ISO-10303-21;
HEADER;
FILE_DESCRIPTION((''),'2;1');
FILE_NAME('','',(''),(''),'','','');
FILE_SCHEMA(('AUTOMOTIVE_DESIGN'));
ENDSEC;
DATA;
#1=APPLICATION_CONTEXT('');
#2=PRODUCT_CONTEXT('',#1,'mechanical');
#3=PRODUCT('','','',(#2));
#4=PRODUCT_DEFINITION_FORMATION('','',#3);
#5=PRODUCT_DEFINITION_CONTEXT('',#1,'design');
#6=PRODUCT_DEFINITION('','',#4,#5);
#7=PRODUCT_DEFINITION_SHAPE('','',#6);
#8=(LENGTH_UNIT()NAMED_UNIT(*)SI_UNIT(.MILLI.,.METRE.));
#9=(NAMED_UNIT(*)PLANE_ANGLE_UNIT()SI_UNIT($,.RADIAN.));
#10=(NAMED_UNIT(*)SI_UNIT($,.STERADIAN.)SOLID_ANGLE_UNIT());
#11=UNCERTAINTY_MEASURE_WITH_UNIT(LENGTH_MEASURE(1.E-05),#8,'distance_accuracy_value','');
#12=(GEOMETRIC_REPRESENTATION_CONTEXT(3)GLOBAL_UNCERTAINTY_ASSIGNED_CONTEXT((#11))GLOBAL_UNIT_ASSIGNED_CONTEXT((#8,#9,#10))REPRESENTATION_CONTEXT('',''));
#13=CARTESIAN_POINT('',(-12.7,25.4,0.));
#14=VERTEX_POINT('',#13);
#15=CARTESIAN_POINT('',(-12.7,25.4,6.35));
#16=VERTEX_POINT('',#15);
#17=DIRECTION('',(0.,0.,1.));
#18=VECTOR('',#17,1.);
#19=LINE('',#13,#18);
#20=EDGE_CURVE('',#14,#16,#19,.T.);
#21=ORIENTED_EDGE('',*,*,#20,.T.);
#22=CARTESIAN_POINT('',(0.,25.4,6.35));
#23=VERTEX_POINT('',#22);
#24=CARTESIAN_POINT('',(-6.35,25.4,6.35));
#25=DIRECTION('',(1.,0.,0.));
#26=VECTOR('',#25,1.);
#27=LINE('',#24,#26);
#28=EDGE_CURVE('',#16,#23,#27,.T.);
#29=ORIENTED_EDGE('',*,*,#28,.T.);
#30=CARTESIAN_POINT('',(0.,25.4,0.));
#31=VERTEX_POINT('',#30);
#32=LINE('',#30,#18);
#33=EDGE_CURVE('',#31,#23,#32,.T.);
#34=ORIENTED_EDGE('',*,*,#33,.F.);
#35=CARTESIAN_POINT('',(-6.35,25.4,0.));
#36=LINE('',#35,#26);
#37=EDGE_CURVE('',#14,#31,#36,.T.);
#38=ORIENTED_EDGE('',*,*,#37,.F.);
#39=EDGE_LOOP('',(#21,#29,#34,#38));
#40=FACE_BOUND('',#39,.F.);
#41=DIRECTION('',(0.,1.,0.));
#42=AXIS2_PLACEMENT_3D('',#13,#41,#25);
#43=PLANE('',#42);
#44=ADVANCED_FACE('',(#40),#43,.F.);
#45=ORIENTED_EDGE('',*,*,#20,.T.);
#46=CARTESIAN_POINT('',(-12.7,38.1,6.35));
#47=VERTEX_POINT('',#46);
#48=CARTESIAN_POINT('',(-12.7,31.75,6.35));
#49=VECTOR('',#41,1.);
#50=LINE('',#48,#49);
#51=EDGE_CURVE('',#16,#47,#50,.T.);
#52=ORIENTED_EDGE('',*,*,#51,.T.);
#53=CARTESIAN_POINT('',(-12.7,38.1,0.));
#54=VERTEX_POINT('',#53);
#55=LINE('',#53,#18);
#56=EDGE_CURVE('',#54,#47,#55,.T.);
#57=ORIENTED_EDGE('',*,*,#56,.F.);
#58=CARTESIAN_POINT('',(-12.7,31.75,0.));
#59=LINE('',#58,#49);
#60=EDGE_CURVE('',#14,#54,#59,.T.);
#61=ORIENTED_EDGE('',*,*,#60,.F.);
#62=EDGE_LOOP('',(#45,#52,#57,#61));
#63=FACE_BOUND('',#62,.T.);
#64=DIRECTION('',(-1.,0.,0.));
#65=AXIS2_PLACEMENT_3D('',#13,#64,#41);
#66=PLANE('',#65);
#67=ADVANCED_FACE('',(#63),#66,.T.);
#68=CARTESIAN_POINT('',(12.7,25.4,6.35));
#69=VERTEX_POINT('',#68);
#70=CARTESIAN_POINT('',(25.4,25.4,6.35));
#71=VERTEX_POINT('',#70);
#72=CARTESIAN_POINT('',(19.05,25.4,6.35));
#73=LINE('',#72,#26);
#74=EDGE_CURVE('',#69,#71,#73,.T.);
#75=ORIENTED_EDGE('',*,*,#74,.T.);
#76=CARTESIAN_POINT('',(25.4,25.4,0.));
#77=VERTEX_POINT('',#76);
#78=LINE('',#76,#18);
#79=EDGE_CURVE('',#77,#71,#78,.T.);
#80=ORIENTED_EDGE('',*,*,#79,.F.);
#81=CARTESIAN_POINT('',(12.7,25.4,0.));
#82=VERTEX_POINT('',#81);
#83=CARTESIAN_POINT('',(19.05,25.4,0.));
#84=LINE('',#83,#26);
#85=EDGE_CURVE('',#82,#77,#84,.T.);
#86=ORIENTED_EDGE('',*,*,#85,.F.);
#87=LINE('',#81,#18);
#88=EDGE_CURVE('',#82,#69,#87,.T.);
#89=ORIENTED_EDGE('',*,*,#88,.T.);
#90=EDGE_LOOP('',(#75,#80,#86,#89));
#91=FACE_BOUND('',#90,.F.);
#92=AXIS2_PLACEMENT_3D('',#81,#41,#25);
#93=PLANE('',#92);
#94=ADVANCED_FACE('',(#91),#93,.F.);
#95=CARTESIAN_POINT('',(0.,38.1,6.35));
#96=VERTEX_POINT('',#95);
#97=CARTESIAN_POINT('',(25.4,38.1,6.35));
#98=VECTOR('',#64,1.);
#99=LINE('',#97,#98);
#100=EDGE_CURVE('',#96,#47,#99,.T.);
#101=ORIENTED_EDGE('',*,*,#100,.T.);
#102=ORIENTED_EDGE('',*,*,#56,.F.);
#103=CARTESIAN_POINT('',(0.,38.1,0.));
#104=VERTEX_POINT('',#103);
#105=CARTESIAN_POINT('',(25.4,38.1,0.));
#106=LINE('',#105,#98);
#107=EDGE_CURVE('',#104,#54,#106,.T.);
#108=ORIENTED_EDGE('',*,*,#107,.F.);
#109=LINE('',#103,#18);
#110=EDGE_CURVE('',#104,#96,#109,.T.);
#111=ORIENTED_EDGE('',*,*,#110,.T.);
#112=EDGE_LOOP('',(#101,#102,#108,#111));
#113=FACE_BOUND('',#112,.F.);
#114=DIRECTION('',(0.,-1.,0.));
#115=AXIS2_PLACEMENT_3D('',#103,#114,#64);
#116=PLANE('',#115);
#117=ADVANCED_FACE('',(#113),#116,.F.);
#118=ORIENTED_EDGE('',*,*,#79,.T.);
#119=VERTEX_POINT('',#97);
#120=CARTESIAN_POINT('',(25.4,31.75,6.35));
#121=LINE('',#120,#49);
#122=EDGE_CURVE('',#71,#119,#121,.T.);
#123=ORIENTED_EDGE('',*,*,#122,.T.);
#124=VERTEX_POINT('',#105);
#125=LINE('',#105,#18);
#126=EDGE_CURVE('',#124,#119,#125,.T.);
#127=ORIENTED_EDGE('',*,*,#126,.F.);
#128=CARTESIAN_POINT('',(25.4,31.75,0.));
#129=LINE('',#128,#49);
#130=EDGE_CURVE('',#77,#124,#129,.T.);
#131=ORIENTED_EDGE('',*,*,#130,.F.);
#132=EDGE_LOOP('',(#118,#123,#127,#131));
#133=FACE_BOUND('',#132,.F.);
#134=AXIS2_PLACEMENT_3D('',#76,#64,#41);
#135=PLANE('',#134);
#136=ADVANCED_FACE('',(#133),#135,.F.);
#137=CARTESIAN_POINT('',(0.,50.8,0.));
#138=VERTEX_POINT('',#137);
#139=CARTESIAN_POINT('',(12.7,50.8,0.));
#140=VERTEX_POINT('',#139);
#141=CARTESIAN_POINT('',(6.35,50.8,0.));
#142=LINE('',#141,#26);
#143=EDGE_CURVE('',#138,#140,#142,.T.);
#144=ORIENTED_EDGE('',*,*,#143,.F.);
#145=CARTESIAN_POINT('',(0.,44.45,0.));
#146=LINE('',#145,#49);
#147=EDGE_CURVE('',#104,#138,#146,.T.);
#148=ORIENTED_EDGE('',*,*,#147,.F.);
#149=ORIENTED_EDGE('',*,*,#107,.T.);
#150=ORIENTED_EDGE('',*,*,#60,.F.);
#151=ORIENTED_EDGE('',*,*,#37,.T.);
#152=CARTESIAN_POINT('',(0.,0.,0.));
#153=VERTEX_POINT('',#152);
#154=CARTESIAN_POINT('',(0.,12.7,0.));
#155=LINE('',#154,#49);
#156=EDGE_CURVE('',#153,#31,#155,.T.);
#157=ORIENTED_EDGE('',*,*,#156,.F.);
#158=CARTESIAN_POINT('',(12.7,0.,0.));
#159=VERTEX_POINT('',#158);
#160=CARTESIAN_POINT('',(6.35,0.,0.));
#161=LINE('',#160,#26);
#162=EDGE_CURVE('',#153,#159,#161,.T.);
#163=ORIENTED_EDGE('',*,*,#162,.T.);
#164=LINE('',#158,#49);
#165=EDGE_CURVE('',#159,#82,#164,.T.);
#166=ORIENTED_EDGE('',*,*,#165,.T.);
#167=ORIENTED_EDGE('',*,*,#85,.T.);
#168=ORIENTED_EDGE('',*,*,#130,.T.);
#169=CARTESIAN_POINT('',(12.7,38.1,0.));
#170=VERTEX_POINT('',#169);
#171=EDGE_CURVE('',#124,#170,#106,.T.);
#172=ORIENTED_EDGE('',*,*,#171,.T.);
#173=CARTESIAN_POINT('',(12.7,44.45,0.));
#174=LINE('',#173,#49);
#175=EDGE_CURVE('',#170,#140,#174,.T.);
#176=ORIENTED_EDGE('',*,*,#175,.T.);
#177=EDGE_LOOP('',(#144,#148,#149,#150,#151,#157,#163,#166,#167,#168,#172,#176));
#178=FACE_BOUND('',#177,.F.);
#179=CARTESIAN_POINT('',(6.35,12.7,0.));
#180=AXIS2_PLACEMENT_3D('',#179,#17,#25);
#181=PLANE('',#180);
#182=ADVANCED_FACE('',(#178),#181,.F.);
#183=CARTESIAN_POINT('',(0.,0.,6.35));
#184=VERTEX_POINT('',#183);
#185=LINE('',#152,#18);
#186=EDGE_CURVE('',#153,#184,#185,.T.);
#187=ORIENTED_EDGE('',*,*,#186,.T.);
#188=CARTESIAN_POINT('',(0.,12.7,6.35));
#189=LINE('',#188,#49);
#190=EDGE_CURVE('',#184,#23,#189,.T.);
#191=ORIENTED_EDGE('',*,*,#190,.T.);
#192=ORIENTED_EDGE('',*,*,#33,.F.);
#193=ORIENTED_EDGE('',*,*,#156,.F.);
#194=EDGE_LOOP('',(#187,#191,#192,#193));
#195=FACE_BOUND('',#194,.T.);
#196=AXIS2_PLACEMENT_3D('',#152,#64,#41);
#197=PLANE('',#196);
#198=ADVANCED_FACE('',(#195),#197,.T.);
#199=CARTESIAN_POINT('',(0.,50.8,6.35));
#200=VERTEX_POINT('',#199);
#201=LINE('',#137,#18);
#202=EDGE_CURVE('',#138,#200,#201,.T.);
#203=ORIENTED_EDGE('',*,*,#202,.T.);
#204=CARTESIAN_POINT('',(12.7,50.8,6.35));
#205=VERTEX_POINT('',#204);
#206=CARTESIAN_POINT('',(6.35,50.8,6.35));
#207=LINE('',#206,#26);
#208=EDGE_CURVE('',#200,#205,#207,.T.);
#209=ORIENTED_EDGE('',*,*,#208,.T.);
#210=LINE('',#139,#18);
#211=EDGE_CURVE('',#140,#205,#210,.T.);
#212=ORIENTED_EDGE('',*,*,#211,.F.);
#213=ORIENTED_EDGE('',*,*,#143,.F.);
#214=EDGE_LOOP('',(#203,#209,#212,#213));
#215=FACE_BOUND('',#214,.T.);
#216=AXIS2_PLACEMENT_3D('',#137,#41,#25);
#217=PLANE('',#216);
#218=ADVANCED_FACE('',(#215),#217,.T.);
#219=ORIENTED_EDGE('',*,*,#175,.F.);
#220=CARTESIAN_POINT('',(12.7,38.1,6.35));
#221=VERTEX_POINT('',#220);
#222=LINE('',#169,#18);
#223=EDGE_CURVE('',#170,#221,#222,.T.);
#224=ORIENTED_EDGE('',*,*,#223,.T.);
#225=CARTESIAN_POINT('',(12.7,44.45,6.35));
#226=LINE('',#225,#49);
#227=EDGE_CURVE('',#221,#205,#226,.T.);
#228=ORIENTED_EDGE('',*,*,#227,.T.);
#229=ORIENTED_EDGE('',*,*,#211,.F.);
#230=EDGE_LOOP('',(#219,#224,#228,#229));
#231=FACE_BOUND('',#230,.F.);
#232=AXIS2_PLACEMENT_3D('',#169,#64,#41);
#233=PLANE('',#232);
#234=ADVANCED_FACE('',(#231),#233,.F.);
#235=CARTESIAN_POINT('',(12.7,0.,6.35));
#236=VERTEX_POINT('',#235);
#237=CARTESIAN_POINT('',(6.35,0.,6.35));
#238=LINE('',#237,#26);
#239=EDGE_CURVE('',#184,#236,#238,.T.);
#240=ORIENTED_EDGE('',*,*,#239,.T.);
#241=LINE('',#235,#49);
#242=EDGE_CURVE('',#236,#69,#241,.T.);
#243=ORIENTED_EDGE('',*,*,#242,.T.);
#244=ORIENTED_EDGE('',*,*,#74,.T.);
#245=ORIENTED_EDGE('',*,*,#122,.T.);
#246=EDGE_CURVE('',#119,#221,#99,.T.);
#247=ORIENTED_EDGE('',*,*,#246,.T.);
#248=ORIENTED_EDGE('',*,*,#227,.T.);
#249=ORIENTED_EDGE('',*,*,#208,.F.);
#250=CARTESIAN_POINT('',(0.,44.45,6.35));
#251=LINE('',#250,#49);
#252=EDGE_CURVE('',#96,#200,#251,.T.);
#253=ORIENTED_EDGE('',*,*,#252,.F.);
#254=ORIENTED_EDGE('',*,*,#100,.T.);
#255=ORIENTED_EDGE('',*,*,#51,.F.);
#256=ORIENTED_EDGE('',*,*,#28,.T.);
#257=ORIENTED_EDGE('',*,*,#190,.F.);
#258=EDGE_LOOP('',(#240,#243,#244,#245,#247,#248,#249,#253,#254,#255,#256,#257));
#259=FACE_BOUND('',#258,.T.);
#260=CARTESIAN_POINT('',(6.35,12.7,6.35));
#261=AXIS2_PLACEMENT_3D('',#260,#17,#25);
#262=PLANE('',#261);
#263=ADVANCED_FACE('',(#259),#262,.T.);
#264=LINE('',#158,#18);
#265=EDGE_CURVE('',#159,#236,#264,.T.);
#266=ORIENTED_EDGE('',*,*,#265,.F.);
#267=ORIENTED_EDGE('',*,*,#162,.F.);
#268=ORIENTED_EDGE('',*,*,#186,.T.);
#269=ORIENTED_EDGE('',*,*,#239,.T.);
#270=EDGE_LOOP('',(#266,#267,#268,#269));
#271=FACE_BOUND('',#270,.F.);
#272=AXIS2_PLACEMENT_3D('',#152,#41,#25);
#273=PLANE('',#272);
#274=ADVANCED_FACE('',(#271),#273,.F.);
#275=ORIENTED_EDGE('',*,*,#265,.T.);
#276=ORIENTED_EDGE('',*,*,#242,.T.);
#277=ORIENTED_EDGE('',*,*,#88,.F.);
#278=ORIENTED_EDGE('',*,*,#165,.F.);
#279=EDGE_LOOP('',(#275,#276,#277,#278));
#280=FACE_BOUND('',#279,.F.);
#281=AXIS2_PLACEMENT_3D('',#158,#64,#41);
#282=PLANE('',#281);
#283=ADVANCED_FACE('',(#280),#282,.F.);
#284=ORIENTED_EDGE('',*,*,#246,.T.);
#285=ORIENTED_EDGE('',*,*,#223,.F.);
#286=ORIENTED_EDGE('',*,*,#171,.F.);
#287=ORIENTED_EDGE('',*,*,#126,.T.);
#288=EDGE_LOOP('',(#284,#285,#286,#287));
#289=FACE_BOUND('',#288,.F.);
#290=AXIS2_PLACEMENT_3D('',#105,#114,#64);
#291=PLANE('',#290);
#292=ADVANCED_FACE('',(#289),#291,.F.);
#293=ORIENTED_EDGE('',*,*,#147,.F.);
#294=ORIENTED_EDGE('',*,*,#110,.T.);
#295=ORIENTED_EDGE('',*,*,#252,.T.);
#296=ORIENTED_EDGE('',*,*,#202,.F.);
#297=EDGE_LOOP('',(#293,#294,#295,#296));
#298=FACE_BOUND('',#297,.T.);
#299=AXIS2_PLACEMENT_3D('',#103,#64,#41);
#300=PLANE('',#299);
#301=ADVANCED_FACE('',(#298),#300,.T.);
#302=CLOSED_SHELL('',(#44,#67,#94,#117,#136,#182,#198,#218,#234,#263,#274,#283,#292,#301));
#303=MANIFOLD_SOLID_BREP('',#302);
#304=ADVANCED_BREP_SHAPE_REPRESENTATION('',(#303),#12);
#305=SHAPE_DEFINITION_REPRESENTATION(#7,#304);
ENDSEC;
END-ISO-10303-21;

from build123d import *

# Parameters (mm, degrees)
F0_W     = 12.7
F0_H     = 25.4
F0_H_2   = 12.7
F1_DEPTH = 6.35


with BuildPart() as f1:
    # F0 (on Top) → F1 (new body)
    with BuildSketch(Plane.XY):
        with Locations((6.35, 12.7)):
            Rectangle(F0_W, F0_H)
        with Locations((-6.35, 31.75)):
            Rectangle(F0_W, F0_H_2)
        with Locations((6.35, 31.75)):
            Rectangle(F0_W, F0_H_2)
        with Locations((19.05, 31.75)):
            Rectangle(F0_W, F0_H_2)
        with Locations((6.35, 44.45)):
            Rectangle(F0_W, F0_H_2)
    extrude(amount=F1_DEPTH)


solid = f1.part
